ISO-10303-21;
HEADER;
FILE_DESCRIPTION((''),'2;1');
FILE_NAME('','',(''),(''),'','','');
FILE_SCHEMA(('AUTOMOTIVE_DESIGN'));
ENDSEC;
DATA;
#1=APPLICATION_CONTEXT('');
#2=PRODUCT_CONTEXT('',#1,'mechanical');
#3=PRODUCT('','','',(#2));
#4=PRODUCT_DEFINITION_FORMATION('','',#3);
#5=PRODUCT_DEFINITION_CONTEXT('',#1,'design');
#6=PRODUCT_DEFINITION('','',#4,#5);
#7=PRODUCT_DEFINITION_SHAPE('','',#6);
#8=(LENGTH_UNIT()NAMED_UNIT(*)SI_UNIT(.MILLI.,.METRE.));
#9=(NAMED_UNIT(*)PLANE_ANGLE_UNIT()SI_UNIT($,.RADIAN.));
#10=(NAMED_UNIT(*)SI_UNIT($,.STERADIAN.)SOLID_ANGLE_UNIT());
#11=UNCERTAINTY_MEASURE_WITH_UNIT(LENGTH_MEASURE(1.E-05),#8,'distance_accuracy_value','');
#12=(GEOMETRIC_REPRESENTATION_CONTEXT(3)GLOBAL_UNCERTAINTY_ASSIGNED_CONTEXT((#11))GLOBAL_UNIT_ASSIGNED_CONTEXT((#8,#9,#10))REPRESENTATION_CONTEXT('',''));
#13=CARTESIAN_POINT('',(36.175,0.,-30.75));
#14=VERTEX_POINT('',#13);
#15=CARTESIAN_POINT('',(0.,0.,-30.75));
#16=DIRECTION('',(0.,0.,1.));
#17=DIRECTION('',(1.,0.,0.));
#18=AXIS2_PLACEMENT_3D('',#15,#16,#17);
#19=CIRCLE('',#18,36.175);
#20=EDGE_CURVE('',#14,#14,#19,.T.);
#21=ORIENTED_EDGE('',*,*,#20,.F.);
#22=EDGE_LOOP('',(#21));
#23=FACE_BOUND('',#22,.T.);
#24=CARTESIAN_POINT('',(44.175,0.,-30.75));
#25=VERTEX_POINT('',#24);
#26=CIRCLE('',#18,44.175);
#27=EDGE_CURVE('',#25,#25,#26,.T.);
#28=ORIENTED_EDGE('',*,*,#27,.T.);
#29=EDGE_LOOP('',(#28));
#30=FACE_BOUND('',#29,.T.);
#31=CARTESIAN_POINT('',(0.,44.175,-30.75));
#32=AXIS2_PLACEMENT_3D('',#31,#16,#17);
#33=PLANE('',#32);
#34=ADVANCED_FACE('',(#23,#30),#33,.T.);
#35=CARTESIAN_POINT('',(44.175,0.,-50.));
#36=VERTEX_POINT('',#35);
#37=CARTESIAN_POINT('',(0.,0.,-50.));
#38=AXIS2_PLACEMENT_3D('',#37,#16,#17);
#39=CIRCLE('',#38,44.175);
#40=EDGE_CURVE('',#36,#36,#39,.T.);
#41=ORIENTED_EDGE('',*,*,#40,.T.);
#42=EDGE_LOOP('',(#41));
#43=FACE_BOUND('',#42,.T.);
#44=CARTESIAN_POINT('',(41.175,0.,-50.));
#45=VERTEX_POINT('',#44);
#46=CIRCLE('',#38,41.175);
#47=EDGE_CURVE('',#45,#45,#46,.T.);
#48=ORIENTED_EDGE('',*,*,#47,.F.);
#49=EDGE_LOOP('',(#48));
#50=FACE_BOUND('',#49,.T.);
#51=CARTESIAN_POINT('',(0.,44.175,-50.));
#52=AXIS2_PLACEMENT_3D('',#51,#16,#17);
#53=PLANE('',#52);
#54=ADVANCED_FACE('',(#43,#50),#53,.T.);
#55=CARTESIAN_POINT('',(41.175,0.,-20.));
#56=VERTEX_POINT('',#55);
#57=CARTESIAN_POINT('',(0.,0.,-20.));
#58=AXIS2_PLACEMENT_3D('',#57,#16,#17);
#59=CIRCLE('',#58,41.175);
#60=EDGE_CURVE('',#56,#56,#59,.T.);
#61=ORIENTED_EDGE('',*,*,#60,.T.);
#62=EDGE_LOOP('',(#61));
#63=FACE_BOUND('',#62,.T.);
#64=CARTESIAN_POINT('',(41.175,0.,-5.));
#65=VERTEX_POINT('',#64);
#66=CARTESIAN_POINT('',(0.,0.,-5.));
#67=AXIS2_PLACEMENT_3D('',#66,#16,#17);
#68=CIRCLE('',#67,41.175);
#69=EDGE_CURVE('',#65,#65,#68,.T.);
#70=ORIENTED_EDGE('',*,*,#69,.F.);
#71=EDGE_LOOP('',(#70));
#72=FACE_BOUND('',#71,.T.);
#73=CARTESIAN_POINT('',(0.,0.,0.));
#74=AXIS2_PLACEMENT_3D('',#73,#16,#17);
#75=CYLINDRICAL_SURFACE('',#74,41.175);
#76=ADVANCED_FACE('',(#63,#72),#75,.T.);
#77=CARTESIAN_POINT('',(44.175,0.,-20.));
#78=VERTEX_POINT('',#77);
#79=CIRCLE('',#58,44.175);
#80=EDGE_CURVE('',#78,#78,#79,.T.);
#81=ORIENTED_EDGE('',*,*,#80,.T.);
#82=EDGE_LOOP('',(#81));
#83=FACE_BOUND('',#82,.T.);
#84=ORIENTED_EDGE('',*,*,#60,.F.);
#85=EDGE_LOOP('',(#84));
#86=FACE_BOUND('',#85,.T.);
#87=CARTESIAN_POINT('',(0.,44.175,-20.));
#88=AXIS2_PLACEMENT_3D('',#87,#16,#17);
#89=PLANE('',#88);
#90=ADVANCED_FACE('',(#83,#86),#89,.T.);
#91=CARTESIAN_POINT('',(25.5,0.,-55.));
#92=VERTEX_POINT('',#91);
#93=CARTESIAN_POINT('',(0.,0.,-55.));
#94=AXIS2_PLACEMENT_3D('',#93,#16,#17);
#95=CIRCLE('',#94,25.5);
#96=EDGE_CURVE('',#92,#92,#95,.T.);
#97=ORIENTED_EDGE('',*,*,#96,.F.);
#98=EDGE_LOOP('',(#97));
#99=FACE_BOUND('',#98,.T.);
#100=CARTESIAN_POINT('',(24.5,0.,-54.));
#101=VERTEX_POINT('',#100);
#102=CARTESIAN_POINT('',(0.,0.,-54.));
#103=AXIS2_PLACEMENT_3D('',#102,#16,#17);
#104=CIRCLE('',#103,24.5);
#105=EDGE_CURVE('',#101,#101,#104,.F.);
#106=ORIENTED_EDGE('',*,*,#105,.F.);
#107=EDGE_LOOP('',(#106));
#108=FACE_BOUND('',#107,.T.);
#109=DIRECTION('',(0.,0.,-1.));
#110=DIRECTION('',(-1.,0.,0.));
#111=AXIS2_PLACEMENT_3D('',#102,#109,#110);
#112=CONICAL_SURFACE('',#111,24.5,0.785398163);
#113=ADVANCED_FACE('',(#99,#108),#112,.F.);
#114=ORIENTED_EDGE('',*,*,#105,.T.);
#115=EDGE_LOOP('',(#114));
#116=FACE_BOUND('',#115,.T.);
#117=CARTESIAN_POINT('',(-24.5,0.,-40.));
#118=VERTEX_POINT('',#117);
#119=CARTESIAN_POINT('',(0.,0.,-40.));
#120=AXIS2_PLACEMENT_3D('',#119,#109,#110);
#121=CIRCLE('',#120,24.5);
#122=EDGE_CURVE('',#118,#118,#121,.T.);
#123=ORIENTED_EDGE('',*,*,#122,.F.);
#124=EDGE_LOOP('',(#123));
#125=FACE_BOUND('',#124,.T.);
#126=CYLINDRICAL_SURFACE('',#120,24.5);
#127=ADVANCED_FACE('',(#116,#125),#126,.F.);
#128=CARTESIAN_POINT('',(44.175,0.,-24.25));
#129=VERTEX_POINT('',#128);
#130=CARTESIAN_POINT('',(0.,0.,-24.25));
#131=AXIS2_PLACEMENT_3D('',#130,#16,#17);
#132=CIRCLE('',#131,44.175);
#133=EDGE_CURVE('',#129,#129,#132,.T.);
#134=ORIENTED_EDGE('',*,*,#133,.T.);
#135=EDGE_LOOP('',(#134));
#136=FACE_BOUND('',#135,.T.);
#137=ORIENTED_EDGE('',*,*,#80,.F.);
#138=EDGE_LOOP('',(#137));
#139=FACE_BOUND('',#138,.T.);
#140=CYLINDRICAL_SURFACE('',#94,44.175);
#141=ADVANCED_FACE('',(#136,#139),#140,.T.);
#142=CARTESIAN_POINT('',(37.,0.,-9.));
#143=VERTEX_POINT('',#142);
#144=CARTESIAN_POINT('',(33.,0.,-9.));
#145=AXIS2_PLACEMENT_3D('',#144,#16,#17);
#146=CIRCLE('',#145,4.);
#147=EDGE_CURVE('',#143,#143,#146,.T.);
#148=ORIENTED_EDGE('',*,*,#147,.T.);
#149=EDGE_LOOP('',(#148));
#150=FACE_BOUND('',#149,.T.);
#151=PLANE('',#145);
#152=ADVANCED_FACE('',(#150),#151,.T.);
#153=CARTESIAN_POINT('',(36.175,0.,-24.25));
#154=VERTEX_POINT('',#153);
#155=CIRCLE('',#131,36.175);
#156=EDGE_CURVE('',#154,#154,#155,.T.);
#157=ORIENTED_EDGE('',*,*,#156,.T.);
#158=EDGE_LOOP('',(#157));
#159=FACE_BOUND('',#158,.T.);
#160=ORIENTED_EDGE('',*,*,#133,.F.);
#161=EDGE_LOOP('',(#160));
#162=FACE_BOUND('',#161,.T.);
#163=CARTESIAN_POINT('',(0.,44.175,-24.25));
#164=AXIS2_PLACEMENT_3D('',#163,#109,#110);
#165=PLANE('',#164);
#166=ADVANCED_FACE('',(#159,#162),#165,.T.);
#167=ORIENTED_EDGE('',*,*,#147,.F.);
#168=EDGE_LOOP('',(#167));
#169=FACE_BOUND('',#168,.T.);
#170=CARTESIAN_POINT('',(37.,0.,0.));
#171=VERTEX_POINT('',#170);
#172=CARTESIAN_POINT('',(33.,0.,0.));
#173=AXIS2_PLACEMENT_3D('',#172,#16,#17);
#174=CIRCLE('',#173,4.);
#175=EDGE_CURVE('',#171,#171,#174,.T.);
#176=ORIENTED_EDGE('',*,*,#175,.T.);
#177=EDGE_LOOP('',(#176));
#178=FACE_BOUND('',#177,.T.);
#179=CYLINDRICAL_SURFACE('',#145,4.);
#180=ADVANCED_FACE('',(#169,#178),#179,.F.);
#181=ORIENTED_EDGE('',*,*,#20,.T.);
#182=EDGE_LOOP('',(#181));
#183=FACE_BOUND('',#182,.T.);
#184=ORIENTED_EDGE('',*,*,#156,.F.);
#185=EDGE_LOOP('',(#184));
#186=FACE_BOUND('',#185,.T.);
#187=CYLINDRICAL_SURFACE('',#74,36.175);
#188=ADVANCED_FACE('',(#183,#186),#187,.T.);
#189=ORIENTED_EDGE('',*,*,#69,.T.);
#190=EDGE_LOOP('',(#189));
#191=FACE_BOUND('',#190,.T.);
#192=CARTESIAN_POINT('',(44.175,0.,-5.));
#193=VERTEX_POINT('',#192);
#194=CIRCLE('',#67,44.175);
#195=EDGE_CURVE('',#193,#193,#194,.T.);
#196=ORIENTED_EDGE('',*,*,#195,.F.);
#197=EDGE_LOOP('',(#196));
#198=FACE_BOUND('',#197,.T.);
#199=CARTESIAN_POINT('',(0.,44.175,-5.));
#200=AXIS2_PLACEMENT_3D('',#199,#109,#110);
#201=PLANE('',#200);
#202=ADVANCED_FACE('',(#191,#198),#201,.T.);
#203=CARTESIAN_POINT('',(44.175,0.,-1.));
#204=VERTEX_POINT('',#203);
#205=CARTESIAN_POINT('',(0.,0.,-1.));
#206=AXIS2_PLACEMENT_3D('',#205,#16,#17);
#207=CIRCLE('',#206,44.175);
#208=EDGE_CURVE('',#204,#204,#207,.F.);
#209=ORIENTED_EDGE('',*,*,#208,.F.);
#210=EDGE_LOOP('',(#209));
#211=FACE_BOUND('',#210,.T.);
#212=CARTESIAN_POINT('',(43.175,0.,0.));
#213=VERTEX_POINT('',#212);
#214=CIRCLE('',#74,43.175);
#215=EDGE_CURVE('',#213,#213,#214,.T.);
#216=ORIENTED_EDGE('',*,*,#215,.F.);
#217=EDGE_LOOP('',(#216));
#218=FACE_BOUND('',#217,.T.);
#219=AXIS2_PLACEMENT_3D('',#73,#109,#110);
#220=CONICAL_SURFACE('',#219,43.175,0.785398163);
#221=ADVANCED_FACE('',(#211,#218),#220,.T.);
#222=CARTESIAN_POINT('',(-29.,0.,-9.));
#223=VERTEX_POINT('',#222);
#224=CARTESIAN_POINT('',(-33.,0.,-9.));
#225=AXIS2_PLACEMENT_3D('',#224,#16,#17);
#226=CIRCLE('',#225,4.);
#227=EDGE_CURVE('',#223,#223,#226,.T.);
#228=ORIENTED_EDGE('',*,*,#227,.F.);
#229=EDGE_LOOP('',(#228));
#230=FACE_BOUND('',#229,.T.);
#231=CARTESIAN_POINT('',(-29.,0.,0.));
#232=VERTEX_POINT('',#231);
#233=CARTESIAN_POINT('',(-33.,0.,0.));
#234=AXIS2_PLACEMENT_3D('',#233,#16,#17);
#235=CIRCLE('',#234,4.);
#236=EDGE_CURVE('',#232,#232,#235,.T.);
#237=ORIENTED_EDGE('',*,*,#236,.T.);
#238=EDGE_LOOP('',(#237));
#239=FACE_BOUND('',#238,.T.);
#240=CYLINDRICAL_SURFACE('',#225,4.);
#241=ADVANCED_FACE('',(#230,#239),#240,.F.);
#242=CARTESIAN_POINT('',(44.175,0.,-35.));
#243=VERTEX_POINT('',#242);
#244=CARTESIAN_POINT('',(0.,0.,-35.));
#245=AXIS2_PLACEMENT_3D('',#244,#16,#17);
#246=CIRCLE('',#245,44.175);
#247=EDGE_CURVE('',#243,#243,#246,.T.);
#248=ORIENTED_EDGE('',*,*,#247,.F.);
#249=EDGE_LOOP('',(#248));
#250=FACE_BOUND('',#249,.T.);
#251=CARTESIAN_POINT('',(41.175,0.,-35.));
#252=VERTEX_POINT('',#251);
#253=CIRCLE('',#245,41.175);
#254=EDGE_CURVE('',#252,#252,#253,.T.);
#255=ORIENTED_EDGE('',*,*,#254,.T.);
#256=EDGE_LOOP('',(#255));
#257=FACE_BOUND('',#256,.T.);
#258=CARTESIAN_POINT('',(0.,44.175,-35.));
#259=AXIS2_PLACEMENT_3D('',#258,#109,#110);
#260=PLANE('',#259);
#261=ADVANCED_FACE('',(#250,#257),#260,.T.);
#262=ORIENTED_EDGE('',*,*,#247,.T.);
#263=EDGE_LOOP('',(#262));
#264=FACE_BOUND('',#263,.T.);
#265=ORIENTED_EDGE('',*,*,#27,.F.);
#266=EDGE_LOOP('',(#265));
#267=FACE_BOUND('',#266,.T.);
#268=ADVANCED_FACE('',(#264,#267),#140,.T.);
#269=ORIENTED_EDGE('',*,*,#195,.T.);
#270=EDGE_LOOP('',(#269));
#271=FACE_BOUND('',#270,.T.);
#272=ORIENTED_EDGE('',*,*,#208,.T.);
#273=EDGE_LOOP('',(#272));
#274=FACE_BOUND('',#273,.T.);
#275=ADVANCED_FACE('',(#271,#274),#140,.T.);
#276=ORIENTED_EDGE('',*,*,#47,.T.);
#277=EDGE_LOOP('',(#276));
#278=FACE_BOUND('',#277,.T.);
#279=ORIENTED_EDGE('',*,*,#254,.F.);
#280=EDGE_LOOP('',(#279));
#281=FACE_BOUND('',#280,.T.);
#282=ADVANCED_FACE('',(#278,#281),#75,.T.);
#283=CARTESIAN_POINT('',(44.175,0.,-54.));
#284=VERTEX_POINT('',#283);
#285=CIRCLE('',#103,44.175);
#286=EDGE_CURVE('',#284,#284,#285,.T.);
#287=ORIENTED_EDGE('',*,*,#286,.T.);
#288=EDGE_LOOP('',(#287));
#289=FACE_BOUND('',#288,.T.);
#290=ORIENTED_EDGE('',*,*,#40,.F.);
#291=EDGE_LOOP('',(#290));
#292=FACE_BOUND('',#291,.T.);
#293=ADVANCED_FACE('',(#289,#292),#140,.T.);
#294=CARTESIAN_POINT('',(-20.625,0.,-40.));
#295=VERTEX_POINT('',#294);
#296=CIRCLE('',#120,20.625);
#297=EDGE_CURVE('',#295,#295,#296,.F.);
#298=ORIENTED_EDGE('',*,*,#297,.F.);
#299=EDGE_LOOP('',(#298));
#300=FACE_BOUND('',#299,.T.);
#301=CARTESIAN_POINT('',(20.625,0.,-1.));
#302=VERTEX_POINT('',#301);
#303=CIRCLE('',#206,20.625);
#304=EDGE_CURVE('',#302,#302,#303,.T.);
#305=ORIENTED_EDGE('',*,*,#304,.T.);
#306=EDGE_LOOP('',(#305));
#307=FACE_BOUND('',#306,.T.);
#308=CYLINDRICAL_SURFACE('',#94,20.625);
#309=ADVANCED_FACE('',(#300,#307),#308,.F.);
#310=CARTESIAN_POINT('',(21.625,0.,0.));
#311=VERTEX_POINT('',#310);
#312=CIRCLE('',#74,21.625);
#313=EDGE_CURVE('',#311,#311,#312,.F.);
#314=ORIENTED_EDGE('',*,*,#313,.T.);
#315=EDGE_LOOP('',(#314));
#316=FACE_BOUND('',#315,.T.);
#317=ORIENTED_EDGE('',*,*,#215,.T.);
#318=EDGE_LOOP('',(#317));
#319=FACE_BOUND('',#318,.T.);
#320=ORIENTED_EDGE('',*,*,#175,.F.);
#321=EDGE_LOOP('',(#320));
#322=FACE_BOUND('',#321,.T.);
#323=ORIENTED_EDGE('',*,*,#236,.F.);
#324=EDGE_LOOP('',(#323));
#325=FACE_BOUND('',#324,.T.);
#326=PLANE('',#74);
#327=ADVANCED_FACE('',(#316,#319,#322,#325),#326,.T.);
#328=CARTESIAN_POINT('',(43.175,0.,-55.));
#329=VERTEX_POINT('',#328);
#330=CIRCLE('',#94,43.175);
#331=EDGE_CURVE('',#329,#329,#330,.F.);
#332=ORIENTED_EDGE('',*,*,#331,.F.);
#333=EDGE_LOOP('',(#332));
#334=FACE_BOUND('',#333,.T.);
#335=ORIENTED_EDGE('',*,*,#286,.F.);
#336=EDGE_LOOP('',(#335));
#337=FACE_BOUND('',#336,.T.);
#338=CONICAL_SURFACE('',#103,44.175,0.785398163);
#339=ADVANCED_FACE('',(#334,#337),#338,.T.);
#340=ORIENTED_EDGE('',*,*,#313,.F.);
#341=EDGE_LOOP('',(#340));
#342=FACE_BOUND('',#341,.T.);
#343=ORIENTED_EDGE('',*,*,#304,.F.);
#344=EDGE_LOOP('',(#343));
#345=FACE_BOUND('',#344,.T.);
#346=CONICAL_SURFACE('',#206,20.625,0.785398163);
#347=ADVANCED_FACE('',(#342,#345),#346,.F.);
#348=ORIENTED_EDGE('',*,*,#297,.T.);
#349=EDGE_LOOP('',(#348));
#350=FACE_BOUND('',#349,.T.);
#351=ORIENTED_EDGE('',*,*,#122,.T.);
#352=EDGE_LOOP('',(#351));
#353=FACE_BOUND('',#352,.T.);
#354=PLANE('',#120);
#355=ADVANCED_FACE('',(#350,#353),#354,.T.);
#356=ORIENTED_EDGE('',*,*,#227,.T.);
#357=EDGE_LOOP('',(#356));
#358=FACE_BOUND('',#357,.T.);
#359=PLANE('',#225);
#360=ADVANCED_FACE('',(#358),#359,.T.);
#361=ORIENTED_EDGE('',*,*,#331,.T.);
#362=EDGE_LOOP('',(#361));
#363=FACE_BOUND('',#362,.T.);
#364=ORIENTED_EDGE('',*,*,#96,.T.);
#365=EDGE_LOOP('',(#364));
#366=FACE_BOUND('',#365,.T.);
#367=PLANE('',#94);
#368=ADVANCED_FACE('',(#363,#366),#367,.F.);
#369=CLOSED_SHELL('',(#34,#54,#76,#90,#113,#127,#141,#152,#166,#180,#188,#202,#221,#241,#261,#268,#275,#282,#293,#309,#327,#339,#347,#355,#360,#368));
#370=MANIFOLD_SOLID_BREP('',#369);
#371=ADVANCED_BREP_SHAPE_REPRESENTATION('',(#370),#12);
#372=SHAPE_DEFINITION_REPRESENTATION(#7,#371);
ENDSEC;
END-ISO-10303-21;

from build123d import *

# Parameters (mm, degrees)
SKETCH1_R           = 44.175
SKETCH1_R_2         = 20.625
BOSS_EXTRUDE1_DEPTH = 55
SKETCH2_W           = 15
SKETCH2_H           = 3
SKETCH2_W_2         = 6.5
SKETCH2_H_2         = 8
CHAMFER1_SIZE       = 1
SKETCH3_R           = 24.5
CUT_EXTRUDE1_DEPTH  = 15
CHAMFER2_SIZE       = 1
SKETCH4_R           = 4
CUT_EXTRUDE2_DEPTH  = 9


with BuildPart() as part:
    # Sketch1 → Boss-Extrude1 (new body)
    with BuildSketch(Plane.XY):
        Circle(SKETCH1_R)
        Circle(SKETCH1_R_2, mode=Mode.SUBTRACT)
    extrude(amount=-BOSS_EXTRUDE1_DEPTH)

    # Sketch2 → Cut-Revolve1 (revolve, cut)
    with BuildSketch(Plane(origin=(0, 0, 0), x_dir=(0, 0, -1), z_dir=(1, 0, 0))):
        with Locations((12.5, 42.675)):
            Rectangle(SKETCH2_W, SKETCH2_H)
        with Locations((42.5, 42.675)):
            Rectangle(SKETCH2_W, SKETCH2_H)
        with Locations((27.5, 40.175)):
            Rectangle(SKETCH2_W_2, SKETCH2_H_2)
    revolve(axis=Axis((0, 0, 0), (0, 0, -1)), mode=Mode.SUBTRACT)

    # Chamfer1
    chamfer1_edges = [part.edges().sort_by_distance(p)[0] for p in [
        (-44.175, 0, 0),
        (-44.175, 0, -55),
        (-20.625, 0, -55),
        (-20.625, 0, 0),
    ]]
    chamfer(chamfer1_edges, length=CHAMFER1_SIZE)

    # Sketch3 → Cut-Extrude1 (cut)
    with BuildSketch(Plane(origin=(0, 0, -55), x_dir=(-1, 0, 0), z_dir=(0, 0, -1))):
        Circle(SKETCH3_R)
    extrude(amount=-CUT_EXTRUDE1_DEPTH, mode=Mode.SUBTRACT)

    # Chamfer2
    chamfer2_edges = [part.edges().sort_by_distance(p)[0] for p in [
        (24.5, 0, -55),
    ]]
    chamfer(chamfer2_edges, length=CHAMFER2_SIZE)

    # Sketch4 → Cut-Extrude2 (cut)
    with BuildSketch(Plane.XY):
        with Locations((-33, 0)):
            Circle(SKETCH4_R)
        with Locations((33, 0)):
            Circle(SKETCH4_R)
    extrude(amount=-CUT_EXTRUDE2_DEPTH, mode=Mode.SUBTRACT)


solid = part.part
